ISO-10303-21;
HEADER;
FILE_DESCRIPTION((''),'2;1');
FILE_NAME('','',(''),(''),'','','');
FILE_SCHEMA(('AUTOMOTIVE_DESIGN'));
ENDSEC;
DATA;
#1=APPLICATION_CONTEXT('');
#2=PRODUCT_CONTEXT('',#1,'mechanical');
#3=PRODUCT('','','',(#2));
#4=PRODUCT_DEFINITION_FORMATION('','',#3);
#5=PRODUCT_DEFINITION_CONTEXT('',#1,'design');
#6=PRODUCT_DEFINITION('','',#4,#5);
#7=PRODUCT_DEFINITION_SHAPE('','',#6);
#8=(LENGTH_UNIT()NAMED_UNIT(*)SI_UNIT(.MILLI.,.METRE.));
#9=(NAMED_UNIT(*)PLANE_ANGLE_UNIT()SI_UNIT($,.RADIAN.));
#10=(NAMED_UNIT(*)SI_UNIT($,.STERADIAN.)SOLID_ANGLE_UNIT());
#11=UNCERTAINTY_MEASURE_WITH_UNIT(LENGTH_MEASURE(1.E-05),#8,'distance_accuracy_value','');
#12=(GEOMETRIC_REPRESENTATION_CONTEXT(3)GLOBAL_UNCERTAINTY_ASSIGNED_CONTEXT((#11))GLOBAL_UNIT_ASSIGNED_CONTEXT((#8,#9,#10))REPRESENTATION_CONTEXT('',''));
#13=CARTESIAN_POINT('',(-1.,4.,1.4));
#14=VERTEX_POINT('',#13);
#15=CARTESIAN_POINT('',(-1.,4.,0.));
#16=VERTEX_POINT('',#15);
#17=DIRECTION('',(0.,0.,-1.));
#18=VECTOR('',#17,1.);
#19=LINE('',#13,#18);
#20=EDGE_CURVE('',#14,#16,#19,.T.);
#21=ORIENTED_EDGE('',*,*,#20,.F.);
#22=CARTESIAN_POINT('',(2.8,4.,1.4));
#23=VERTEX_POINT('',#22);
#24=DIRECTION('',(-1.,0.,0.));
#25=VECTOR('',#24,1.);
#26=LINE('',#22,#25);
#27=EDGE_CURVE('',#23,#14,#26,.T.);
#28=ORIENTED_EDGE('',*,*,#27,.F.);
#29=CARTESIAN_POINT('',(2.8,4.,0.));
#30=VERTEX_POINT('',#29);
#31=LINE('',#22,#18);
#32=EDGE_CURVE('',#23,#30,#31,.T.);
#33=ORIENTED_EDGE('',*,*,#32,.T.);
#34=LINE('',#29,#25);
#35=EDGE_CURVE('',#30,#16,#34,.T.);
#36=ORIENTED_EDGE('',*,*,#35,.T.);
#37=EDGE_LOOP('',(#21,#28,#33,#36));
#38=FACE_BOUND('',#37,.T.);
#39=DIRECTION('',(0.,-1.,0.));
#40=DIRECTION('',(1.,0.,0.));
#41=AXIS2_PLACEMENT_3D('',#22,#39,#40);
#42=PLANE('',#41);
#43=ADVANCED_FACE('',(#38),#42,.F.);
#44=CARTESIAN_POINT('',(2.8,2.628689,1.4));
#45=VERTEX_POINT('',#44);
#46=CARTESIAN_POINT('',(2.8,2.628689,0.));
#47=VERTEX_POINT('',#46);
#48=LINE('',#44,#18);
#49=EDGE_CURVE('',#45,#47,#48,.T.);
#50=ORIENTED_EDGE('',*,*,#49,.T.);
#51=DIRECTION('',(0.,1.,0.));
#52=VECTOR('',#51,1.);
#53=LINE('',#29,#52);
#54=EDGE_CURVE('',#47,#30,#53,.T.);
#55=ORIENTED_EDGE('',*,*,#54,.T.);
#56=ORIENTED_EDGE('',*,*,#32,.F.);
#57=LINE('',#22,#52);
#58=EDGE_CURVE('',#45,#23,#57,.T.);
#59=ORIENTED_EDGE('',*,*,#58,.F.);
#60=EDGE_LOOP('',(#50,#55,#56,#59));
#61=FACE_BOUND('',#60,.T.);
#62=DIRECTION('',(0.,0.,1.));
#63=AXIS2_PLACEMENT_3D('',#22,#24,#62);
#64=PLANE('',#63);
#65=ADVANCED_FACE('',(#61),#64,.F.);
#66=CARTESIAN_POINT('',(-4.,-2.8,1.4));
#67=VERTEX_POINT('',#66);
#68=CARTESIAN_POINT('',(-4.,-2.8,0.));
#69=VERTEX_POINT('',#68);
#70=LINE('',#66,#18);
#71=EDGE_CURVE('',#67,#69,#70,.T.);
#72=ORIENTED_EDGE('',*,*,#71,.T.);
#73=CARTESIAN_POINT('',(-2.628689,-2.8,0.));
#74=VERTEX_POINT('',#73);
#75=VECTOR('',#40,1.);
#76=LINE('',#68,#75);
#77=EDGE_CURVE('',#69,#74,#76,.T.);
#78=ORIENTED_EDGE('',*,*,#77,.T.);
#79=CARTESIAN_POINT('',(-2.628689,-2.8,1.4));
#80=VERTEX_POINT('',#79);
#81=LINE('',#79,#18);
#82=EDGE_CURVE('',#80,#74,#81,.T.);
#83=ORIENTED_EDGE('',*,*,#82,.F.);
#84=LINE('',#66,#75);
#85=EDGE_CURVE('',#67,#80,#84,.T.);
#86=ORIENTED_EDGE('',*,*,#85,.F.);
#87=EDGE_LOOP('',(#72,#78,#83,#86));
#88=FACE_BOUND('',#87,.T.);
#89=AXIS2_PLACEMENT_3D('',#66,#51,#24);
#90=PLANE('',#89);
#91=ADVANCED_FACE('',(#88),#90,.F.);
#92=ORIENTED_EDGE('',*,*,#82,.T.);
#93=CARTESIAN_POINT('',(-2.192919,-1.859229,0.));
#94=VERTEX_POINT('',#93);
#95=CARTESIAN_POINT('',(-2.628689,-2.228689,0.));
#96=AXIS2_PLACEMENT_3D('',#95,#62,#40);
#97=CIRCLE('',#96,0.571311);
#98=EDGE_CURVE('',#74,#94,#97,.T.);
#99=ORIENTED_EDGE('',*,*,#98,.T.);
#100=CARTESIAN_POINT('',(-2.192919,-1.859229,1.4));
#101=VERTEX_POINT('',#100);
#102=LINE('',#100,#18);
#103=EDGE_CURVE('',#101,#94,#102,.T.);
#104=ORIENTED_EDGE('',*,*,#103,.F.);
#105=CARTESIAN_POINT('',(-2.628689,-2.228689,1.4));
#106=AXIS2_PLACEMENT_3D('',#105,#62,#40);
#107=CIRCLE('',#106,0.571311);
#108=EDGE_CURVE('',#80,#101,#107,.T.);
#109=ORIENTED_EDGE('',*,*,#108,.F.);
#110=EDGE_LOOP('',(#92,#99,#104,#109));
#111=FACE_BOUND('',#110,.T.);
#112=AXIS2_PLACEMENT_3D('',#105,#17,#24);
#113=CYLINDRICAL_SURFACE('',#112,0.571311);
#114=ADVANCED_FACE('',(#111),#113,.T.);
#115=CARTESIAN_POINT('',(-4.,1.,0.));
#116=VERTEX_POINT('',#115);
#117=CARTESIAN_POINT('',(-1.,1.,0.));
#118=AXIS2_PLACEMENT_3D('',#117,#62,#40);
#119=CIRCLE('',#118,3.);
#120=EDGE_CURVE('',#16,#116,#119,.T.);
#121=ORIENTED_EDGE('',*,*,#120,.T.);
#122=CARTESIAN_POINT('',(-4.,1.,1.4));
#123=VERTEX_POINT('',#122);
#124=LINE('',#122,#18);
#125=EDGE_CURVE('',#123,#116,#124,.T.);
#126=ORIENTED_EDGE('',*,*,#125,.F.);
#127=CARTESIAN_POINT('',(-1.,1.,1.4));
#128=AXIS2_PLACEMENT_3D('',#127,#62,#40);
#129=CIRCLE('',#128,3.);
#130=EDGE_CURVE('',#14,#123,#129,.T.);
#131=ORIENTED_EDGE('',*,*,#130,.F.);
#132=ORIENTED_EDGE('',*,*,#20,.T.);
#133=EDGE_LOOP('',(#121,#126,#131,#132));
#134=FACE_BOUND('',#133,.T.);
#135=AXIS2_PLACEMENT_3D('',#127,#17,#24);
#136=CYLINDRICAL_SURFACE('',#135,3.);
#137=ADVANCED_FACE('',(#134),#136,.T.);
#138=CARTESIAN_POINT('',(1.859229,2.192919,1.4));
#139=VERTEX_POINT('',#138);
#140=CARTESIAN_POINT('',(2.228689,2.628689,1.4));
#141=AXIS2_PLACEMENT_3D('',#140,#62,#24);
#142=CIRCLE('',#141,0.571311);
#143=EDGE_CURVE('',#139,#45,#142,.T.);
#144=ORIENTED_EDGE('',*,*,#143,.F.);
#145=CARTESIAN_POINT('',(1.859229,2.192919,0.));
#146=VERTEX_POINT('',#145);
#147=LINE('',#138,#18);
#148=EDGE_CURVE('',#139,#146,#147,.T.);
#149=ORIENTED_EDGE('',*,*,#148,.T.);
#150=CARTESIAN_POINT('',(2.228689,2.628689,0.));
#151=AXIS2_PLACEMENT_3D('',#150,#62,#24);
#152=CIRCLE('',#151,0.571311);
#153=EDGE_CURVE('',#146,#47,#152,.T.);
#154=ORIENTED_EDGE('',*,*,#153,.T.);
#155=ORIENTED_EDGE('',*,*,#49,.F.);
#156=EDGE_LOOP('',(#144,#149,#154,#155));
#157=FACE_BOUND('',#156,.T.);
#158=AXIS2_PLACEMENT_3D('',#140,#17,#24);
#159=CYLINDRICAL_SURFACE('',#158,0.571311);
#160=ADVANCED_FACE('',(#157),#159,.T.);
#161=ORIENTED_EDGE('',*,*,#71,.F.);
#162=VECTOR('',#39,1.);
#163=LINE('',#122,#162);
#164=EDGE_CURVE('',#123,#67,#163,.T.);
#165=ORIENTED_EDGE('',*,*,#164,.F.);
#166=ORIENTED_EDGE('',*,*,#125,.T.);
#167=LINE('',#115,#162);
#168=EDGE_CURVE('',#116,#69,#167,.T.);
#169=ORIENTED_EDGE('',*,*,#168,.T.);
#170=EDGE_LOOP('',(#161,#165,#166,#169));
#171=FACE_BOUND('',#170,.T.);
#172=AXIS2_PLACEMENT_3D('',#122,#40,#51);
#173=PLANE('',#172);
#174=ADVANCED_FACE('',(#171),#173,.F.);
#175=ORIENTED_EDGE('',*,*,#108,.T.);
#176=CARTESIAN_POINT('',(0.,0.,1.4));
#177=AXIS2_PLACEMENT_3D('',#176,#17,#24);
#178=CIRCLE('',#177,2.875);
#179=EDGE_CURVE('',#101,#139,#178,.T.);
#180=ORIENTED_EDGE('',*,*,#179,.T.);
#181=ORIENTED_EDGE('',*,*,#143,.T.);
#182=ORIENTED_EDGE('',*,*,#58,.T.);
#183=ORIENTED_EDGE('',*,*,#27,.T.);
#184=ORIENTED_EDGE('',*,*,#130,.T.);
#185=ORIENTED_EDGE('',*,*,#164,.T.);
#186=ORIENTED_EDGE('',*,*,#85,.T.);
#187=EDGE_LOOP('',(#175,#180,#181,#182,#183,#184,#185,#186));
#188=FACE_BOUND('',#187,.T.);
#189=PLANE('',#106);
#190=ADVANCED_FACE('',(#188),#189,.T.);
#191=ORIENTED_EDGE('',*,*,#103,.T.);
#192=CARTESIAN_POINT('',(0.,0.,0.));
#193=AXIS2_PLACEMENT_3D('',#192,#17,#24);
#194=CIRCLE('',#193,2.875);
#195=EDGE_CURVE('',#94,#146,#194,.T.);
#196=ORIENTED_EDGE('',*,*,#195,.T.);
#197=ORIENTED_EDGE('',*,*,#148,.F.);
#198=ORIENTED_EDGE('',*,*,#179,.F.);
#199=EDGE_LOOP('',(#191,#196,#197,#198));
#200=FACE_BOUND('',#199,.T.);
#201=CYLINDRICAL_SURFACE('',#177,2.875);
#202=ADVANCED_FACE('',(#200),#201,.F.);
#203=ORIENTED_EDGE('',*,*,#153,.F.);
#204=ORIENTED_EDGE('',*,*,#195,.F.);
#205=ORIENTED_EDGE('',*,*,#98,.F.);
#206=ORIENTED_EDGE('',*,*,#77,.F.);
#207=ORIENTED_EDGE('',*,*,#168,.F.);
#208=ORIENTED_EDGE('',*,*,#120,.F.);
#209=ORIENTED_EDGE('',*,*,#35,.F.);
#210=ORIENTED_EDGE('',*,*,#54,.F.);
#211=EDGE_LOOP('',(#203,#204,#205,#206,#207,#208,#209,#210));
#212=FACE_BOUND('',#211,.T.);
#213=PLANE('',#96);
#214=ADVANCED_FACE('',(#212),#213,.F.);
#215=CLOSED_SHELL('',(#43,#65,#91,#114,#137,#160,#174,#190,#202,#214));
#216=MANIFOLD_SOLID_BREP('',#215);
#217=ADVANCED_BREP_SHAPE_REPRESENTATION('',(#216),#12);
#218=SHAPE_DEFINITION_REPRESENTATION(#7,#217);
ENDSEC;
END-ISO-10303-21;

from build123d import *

# Parameters (mm, degrees)
SALIENTE_EXTRUIR1_DEPTH = 1.4


with BuildPart() as part:
    # Croquis1 → Saliente-Extruir1 (new body)
    with BuildSketch(Plane.XY):
        with BuildLine():
            Line((2.8, 4), (-1, 4))
            ThreePointArc((-1, 4), (-3.121320344, 3.121320344), (-4, 1))
            Line((-4, 1), (-4, -2.8))
            Line((-4, -2.8), (-2.628688939, -2.8))
            ThreePointArc((-2.628688939, -2.8), (-2.110290924, -2.468813544), (-2.192918912, -1.859228778))
            ThreePointArc((-2.192918912, -1.859228778), (-2.032931996, 2.032931996), (1.859228778, 2.192918912))
            ThreePointArc((1.859228778, 2.192918912), (2.468813544, 2.110290924), (2.8, 2.628688939))
            Line((2.8, 2.628688939), (2.8, 4))
        make_face()
    extrude(amount=SALIENTE_EXTRUIR1_DEPTH)


solid = part.part
